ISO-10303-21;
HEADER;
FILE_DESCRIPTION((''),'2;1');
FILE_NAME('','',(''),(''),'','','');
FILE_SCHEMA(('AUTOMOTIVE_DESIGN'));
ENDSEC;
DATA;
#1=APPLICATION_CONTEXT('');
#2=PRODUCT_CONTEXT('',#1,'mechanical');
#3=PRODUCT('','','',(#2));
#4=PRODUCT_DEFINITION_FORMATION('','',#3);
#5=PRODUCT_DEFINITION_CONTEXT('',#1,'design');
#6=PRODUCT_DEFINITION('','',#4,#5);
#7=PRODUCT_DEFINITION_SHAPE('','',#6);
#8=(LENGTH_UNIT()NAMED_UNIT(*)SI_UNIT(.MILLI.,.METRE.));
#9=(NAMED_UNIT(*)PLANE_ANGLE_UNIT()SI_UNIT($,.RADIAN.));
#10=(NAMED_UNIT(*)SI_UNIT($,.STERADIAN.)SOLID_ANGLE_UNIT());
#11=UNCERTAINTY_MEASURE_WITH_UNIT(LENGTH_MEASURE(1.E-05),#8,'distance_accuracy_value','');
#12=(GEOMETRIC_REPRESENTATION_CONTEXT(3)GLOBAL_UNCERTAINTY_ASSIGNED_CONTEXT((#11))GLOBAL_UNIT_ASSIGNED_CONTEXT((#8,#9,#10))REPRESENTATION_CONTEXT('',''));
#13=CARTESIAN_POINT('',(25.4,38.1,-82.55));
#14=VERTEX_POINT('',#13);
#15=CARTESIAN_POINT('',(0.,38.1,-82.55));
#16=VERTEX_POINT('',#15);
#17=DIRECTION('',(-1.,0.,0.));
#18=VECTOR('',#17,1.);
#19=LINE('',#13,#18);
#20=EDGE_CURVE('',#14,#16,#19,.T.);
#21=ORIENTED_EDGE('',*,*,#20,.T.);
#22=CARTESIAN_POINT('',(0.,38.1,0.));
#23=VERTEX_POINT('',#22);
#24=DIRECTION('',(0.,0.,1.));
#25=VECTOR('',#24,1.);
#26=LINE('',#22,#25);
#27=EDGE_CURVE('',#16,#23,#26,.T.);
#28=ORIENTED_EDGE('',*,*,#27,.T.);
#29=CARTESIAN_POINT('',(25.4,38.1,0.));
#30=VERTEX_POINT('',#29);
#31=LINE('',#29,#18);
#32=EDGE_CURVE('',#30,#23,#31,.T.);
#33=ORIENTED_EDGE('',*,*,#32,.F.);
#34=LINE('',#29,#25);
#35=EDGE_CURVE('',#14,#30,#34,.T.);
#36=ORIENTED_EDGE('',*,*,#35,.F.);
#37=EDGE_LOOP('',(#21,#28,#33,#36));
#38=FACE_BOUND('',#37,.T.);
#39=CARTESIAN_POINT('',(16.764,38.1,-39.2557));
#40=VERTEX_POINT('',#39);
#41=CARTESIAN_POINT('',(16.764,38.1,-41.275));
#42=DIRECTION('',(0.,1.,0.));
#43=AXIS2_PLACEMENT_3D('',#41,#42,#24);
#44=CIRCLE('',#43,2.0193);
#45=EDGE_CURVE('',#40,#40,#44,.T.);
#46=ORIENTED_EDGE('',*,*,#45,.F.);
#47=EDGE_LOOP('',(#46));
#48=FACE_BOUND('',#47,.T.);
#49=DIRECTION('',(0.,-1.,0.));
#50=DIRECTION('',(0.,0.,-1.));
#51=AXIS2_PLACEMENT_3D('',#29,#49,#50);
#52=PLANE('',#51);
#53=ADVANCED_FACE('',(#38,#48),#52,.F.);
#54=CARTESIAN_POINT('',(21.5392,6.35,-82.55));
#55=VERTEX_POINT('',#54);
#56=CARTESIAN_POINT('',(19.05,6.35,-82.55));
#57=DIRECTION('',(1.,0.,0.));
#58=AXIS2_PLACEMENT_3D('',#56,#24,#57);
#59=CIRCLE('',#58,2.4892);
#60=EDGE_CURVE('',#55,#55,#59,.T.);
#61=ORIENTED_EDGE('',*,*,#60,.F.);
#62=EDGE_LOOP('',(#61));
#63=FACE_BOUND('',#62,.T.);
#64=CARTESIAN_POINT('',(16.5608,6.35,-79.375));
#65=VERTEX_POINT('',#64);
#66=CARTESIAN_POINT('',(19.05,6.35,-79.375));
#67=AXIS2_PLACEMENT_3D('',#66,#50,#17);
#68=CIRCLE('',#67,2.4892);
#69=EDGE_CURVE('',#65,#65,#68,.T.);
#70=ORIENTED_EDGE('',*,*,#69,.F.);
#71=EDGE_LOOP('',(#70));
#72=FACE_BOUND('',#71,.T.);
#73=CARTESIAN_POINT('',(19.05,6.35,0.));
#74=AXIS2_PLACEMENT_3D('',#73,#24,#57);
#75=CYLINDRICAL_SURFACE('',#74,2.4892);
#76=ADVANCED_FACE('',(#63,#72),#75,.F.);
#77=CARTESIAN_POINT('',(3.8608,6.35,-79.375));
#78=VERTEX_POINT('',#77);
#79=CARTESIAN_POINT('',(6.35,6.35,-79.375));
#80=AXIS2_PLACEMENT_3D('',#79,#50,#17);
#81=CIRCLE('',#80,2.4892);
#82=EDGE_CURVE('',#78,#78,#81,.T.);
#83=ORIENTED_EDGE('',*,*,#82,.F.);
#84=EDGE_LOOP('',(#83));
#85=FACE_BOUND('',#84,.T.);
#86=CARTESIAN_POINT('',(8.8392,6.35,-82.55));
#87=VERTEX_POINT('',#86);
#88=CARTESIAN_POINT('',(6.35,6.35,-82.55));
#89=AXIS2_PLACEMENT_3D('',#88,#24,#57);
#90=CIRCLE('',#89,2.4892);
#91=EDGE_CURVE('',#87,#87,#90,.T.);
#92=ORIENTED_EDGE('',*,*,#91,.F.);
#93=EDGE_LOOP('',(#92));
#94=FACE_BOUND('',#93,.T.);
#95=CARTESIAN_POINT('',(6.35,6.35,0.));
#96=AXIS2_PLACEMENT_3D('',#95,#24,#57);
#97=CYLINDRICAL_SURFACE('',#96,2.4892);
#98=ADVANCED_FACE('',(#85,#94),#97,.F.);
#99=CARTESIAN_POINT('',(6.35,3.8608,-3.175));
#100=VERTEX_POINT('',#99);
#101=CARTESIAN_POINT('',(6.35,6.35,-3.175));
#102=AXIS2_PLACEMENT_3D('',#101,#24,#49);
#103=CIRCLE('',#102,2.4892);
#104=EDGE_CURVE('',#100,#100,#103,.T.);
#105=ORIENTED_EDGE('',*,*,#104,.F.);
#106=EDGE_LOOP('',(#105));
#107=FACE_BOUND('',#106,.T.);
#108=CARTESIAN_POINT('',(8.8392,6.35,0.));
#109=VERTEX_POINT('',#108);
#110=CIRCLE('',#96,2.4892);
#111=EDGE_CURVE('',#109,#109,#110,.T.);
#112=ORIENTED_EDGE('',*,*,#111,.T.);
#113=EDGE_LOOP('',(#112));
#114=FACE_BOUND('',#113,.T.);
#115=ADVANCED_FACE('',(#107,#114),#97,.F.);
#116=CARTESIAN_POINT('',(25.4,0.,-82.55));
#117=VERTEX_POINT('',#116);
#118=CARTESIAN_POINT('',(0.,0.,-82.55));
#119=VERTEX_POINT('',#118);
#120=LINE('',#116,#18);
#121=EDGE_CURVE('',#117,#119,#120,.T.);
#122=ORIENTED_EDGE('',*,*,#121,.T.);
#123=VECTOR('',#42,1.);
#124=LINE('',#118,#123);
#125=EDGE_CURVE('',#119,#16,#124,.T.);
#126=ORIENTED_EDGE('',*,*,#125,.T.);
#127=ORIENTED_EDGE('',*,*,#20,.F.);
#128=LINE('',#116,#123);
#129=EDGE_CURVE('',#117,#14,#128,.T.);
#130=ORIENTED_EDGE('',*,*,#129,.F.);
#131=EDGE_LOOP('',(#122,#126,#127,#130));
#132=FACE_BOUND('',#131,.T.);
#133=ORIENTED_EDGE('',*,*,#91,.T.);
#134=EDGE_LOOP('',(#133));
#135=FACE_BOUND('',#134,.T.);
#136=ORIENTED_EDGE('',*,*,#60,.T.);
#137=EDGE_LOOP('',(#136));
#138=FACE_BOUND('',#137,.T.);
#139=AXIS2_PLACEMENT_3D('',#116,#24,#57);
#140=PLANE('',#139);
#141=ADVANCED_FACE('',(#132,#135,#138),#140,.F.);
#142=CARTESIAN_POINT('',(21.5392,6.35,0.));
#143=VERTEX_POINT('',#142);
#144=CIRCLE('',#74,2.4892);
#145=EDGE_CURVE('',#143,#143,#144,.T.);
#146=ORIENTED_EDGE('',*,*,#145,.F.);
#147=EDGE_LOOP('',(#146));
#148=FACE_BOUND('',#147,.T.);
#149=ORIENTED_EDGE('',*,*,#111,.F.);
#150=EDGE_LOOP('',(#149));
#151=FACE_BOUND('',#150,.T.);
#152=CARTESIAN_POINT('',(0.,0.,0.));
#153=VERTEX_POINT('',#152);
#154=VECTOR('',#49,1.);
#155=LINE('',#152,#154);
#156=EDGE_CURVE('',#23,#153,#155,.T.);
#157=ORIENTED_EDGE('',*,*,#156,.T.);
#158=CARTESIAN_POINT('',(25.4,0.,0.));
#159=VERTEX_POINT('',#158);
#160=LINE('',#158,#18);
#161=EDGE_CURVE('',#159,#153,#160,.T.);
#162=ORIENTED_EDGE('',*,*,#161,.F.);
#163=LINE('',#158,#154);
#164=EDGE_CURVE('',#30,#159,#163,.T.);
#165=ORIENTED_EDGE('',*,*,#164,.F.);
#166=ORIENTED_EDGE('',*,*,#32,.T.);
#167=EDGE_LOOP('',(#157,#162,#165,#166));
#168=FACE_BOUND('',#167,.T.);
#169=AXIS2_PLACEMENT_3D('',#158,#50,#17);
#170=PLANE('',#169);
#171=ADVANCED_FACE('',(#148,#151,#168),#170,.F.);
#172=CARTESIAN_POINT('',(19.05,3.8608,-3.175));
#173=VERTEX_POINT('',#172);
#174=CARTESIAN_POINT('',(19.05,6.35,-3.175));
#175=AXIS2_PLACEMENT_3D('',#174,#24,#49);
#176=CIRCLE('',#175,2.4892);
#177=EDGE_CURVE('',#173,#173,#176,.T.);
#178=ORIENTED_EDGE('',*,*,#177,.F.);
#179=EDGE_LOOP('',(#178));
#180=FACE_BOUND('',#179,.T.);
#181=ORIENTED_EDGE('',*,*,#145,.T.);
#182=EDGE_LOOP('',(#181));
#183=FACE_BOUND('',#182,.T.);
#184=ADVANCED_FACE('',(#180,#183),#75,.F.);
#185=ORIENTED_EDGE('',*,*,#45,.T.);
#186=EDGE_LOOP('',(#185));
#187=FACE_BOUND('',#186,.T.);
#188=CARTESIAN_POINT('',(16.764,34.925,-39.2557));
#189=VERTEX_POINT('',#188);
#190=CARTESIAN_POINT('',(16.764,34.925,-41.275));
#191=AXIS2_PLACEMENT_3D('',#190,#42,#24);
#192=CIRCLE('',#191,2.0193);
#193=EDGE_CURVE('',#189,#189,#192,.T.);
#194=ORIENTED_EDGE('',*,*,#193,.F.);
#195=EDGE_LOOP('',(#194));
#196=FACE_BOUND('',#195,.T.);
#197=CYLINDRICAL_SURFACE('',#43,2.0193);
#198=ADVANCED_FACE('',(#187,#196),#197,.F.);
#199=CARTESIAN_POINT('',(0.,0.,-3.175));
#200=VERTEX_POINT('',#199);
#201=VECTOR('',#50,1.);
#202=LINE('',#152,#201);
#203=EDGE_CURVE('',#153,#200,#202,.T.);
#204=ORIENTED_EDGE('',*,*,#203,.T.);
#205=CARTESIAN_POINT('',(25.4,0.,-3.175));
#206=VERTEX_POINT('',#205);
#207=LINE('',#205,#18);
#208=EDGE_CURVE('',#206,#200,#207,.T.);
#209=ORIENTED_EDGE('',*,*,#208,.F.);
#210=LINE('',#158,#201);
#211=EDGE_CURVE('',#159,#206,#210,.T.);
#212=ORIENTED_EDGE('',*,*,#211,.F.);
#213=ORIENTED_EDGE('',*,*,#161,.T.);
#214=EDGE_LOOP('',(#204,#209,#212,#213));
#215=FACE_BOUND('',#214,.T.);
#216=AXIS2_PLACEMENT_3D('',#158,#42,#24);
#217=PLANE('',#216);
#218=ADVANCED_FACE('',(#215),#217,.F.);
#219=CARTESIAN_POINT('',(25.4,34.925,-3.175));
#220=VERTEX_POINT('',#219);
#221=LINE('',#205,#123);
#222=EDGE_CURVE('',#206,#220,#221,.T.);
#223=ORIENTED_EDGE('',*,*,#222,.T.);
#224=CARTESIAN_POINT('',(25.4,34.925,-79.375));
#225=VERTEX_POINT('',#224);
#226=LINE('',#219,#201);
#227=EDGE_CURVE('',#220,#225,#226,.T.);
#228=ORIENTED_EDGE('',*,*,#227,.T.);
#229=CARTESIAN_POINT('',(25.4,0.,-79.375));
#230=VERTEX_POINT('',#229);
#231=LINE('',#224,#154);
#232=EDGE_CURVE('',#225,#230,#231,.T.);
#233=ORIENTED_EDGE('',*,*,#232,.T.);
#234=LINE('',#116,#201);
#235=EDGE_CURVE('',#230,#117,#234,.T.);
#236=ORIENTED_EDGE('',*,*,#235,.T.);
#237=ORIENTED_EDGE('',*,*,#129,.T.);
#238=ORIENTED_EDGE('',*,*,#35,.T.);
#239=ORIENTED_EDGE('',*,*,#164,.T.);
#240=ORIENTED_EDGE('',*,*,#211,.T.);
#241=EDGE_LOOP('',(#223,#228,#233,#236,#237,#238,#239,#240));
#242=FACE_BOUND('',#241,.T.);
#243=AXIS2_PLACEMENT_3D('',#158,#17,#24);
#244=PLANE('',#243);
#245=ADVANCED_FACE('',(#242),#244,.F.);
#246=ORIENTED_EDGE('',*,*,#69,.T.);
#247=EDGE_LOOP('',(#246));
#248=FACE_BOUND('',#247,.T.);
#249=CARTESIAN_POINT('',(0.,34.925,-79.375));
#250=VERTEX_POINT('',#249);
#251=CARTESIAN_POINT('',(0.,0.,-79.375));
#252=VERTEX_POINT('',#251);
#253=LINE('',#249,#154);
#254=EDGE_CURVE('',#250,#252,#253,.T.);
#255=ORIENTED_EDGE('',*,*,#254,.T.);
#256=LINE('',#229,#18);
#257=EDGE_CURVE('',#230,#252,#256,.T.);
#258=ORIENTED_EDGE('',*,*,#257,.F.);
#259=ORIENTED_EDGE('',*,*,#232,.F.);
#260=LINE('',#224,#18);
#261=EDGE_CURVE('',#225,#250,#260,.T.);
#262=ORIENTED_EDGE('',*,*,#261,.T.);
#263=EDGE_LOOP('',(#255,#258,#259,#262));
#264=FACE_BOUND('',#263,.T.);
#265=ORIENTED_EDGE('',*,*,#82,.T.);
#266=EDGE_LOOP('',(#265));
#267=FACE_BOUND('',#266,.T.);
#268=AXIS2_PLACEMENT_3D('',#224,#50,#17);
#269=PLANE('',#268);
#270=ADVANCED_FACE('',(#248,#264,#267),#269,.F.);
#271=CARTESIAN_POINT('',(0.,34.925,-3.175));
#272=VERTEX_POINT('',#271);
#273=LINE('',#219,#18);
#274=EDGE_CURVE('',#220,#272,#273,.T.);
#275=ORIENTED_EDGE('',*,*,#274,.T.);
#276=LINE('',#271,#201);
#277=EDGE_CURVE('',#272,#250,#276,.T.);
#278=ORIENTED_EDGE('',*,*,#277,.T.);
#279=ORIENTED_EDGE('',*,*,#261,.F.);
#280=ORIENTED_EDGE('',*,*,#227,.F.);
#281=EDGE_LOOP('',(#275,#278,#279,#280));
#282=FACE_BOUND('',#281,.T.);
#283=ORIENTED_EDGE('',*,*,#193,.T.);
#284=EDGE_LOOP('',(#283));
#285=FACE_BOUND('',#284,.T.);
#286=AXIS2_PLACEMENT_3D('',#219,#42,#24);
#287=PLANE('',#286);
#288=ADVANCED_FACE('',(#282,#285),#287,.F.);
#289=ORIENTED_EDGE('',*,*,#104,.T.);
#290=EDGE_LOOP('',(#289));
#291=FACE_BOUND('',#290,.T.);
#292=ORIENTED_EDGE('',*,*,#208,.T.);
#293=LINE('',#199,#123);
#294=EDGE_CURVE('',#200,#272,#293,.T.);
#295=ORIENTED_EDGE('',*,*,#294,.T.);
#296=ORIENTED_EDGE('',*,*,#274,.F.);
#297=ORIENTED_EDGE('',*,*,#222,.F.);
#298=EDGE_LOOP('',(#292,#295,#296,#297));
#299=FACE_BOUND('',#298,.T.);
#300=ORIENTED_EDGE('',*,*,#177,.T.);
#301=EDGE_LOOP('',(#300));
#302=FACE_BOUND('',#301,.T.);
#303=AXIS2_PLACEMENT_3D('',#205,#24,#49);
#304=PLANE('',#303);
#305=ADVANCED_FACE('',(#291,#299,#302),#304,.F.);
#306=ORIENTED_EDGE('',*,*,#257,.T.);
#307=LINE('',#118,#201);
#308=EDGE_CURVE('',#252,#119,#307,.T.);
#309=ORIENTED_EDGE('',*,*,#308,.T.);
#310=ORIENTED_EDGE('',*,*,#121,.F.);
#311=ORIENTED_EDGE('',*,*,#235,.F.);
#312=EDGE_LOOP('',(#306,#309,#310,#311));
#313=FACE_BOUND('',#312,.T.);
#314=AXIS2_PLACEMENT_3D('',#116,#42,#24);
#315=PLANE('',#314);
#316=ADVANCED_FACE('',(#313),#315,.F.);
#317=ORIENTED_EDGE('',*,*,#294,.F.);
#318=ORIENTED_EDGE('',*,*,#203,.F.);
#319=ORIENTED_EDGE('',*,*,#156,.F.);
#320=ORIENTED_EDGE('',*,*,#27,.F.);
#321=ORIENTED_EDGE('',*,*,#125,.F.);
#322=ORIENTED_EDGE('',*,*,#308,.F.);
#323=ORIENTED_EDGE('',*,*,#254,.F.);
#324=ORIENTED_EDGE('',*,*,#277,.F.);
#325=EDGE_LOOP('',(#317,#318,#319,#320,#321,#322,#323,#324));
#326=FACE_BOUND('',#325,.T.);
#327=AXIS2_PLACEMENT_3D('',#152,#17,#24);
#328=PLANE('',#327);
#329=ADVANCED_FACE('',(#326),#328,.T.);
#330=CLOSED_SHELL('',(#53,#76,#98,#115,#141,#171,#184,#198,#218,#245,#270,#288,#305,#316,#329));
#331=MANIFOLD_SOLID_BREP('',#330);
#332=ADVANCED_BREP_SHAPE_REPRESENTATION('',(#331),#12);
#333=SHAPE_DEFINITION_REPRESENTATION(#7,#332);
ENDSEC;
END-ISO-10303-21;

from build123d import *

# Parameters (mm, degrees)
BOSS_EXTRUDE1_DEPTH        = 25.4
F_10_32_TAPPED_HOLE1_D     = 4.0386
F_10_32_TAPPED_HOLE1_DEPTH = 13.716
F_10_32_TAPPED_HOLE1_TIP   = 1.213317848
F_9_0_196_DIAMETER_HOLE1_D = 4.9784


with BuildPart() as part:
    # Sketch1 → Boss-Extrude1 (new body)
    with BuildSketch(Plane(origin=(0, 0, 0), x_dir=(0, 0, -1), z_dir=(1, 0, 0))):
        Polygon((82.55, 0), (79.375, 0), (79.375, 34.925), (3.175, 34.925), (3.175, 0), (0, 0), (0, 38.1), (82.55, 38.1), align=None)
    extrude(amount=BOSS_EXTRUDE1_DEPTH)

    # #10-32 Tapped Hole1
    with Locations(Plane(origin=(0, 38.1, 0), x_dir=(1, 0, 0), z_dir=(0, 1, 0))):
        with Locations((16.764, 41.275)):
            Hole(F_10_32_TAPPED_HOLE1_D / 2, depth=F_10_32_TAPPED_HOLE1_DEPTH)
            with Locations((0, 0, -(F_10_32_TAPPED_HOLE1_DEPTH + F_10_32_TAPPED_HOLE1_TIP / 2))):  # 118° drill point
                Cone(0, F_10_32_TAPPED_HOLE1_D / 2, F_10_32_TAPPED_HOLE1_TIP, mode=Mode.SUBTRACT)

    # #9 (0.196) Diameter Hole1 (through all)
    with Locations(Plane.XY):
        with Locations((6.35, 6.35), (19.05, 6.35)):
            Hole(F_9_0_196_DIAMETER_HOLE1_D / 2)


solid = part.part
